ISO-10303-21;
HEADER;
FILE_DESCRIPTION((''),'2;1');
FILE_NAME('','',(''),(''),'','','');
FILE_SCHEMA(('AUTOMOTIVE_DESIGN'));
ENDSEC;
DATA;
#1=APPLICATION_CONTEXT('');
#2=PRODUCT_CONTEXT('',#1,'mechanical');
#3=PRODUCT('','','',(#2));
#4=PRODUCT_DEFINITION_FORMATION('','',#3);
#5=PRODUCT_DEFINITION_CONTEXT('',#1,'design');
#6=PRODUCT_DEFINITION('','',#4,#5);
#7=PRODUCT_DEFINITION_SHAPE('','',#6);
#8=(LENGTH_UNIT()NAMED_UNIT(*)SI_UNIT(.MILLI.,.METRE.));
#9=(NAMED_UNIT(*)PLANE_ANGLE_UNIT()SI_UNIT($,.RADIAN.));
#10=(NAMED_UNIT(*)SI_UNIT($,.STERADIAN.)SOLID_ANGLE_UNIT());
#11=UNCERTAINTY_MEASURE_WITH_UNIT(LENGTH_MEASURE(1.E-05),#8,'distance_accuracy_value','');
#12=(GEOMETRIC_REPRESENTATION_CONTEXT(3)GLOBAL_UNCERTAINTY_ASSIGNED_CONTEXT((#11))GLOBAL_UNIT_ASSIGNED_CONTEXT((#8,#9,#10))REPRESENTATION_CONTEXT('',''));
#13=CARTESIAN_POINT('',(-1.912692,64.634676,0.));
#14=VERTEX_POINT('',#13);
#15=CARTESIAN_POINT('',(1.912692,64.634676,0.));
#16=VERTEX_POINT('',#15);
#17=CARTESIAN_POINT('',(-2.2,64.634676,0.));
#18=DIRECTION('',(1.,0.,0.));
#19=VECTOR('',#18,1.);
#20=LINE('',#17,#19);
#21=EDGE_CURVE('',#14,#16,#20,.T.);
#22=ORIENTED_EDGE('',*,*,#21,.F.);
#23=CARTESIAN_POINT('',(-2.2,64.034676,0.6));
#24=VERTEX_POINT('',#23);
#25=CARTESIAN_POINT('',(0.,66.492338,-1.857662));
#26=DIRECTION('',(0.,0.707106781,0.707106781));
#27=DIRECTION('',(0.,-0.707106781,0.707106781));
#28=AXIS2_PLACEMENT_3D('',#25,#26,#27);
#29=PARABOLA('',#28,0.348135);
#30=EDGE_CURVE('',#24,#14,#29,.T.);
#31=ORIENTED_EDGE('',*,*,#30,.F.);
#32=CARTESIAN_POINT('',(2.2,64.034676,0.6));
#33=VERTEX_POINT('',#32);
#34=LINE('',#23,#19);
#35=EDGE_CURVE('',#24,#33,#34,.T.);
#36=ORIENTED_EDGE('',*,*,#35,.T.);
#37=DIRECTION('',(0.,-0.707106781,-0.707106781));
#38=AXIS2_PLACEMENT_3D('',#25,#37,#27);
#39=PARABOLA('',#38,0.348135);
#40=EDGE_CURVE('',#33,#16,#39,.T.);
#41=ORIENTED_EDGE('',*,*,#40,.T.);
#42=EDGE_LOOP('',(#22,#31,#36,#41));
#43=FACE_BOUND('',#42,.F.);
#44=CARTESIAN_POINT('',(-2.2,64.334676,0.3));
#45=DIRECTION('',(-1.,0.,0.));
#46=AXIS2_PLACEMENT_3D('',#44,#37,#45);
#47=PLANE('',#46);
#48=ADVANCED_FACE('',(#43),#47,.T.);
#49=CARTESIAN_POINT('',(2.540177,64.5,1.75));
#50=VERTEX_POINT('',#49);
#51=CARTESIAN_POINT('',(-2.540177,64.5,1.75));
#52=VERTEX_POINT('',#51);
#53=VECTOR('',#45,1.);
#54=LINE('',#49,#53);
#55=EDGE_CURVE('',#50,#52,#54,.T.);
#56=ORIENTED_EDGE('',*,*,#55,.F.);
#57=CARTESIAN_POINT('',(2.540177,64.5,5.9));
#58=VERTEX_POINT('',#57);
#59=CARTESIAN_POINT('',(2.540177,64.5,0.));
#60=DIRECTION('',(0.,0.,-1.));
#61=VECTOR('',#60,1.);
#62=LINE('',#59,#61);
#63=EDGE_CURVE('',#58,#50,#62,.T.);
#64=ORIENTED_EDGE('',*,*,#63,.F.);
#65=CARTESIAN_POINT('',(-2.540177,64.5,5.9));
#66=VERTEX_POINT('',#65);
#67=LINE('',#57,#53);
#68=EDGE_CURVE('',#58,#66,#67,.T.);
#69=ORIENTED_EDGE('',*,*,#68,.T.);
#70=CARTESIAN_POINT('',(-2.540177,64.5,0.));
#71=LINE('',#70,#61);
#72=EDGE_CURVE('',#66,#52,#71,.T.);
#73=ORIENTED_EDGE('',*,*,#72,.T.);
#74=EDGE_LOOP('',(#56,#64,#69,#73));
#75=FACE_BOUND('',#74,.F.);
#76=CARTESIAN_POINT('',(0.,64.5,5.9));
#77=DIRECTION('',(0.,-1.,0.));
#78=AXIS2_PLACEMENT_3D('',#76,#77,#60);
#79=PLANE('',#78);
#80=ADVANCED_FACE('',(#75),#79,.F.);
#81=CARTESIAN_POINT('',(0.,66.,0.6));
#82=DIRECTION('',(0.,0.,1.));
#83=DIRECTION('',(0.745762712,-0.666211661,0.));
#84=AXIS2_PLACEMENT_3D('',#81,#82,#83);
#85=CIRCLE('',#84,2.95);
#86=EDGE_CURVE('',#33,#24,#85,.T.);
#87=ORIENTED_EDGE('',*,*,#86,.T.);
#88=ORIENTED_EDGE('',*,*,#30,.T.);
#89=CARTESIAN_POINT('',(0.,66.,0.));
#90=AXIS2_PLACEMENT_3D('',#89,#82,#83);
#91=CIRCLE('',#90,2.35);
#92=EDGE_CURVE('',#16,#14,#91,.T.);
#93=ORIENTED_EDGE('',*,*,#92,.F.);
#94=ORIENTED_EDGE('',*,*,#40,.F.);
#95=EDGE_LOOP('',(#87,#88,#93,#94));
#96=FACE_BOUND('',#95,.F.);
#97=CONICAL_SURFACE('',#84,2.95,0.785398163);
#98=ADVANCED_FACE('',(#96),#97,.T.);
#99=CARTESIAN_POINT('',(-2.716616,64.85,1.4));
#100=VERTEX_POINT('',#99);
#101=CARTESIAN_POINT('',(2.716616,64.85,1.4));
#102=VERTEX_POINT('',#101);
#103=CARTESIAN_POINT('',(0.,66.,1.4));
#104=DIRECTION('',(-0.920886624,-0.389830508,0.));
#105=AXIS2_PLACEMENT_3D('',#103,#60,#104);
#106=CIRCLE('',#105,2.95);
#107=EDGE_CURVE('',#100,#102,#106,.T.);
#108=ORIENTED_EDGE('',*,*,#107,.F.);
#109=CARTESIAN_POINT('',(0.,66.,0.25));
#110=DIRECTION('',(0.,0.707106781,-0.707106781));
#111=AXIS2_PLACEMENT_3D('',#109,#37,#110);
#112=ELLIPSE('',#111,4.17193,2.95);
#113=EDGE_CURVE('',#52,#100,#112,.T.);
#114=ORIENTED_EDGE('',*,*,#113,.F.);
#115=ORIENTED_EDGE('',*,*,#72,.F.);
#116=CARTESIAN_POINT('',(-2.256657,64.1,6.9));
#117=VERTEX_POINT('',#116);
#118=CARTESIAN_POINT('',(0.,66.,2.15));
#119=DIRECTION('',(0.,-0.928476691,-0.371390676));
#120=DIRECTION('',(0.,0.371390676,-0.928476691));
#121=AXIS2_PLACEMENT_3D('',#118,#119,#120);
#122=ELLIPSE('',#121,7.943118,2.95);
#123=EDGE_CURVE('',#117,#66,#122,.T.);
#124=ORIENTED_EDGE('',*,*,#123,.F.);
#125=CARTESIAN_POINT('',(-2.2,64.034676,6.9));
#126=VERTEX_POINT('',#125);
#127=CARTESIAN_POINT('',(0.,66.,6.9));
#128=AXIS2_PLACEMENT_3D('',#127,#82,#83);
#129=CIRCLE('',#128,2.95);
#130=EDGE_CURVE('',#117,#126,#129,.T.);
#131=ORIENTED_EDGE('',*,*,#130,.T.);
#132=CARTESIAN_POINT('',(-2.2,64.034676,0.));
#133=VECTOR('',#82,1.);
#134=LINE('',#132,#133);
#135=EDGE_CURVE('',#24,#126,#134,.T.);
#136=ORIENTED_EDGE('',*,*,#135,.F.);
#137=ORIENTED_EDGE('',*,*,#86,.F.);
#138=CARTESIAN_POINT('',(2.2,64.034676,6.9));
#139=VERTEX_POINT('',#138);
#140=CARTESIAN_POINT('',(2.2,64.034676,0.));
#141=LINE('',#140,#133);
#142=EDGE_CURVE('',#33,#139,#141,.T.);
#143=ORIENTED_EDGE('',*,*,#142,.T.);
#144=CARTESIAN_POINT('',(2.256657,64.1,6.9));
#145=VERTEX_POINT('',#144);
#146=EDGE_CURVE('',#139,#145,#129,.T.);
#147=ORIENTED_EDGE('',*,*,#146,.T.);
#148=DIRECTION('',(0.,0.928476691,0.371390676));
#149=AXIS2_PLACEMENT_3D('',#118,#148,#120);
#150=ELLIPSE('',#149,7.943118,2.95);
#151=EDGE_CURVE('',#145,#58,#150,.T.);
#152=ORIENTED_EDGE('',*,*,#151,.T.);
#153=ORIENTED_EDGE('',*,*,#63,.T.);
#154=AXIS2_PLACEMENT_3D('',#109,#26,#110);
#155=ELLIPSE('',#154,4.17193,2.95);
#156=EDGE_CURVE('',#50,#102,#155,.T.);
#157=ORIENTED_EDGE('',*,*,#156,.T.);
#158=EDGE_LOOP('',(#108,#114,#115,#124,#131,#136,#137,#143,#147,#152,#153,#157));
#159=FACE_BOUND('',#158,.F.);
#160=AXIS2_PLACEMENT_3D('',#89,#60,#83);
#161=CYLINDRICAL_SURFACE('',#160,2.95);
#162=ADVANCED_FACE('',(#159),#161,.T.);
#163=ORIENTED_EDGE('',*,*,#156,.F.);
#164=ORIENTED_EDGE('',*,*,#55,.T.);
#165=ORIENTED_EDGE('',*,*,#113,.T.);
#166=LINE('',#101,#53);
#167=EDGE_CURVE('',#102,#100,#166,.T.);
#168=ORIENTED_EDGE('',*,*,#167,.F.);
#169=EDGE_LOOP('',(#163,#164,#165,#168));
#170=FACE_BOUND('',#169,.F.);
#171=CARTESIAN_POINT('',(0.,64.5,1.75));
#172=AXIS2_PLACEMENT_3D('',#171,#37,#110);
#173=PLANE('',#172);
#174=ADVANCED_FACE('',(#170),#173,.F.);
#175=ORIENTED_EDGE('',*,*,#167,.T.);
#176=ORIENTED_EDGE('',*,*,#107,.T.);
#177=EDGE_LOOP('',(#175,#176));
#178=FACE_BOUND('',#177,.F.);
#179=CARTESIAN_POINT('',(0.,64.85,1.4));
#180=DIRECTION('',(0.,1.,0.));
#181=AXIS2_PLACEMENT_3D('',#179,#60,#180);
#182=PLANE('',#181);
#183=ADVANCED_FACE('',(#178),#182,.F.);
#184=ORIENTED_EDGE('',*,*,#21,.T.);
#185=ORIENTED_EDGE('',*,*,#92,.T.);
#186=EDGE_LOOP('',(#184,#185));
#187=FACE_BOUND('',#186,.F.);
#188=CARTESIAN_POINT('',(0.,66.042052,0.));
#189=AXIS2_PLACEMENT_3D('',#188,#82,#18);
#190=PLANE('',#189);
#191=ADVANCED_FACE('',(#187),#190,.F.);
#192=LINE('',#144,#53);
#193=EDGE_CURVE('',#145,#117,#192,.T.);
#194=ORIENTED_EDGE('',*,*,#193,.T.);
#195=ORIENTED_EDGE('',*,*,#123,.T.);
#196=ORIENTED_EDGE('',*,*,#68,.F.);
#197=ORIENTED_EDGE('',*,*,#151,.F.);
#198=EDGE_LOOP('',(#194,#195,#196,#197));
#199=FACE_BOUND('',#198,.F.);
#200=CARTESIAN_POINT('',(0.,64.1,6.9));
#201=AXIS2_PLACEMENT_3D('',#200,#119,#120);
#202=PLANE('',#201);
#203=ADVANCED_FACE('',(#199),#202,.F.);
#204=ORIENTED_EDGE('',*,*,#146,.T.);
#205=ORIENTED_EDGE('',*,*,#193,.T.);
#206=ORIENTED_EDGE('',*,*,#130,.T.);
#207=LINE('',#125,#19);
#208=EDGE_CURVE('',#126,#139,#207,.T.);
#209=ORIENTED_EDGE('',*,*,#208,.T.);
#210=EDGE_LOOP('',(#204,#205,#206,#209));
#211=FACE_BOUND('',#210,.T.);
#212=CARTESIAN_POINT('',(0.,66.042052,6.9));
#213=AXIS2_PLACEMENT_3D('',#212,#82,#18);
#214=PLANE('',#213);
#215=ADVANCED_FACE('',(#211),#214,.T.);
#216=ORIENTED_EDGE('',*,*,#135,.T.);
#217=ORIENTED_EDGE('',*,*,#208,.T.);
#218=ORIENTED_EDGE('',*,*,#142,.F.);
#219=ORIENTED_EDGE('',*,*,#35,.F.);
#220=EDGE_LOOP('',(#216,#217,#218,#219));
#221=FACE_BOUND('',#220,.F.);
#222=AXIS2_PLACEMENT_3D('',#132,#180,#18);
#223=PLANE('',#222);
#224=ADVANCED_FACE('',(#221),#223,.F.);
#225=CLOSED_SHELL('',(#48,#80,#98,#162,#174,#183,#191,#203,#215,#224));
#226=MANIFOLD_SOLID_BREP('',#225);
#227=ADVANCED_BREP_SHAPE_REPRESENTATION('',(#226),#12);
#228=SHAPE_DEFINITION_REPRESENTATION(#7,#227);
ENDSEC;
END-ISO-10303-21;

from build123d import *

# Parameters (mm, degrees)
PAD007_DEPTH         = 6.9
POCKET005_DEPTH      = 2.951
POCKET005_DEPTH_BACK = 2.951
CHAMFER008_SIZE      = 0.6


with BuildPart() as part:
    # Sketch018 → Pad007 (new body)
    with BuildSketch(Plane.XY):
        with BuildLine():
            ThreePointArc((2.2, -1.9653244007), (0, 2.95), (-2.2, -1.9653244007))
            Line((-2.2, -1.9653244007), (2.2, -1.9653244007))
        make_face()
    extrude(amount=PAD007_DEPTH)

    # Sketch019 → Pocket005 (cut, two sides)
    with BuildSketch(Plane.YZ) as pocket005_sk:
        Polygon((-1.9, 6.9), (-1.5, 5.9), (-1.5, 1.75), (-1.15, 1.4), (5, 1.4), (5, 6.9), align=None)
    extrude(amount=-POCKET005_DEPTH, mode=Mode.SUBTRACT)
    extrude(pocket005_sk.sketch, amount=POCKET005_DEPTH_BACK, mode=Mode.SUBTRACT)

    # Chamfer008
    chamfer008_edges = [part.edges().sort_by_distance(p)[0] for p in [
        (0, 2.95, 0),
        (0, -1.965324, 0),
    ]]
    chamfer(chamfer008_edges, length=CHAMFER008_SIZE)


with BuildPart() as part_1:
    # Body061 placement: moved
    add(part.part.moved(Location((0, 66, 0))))


solid = part_1.part
